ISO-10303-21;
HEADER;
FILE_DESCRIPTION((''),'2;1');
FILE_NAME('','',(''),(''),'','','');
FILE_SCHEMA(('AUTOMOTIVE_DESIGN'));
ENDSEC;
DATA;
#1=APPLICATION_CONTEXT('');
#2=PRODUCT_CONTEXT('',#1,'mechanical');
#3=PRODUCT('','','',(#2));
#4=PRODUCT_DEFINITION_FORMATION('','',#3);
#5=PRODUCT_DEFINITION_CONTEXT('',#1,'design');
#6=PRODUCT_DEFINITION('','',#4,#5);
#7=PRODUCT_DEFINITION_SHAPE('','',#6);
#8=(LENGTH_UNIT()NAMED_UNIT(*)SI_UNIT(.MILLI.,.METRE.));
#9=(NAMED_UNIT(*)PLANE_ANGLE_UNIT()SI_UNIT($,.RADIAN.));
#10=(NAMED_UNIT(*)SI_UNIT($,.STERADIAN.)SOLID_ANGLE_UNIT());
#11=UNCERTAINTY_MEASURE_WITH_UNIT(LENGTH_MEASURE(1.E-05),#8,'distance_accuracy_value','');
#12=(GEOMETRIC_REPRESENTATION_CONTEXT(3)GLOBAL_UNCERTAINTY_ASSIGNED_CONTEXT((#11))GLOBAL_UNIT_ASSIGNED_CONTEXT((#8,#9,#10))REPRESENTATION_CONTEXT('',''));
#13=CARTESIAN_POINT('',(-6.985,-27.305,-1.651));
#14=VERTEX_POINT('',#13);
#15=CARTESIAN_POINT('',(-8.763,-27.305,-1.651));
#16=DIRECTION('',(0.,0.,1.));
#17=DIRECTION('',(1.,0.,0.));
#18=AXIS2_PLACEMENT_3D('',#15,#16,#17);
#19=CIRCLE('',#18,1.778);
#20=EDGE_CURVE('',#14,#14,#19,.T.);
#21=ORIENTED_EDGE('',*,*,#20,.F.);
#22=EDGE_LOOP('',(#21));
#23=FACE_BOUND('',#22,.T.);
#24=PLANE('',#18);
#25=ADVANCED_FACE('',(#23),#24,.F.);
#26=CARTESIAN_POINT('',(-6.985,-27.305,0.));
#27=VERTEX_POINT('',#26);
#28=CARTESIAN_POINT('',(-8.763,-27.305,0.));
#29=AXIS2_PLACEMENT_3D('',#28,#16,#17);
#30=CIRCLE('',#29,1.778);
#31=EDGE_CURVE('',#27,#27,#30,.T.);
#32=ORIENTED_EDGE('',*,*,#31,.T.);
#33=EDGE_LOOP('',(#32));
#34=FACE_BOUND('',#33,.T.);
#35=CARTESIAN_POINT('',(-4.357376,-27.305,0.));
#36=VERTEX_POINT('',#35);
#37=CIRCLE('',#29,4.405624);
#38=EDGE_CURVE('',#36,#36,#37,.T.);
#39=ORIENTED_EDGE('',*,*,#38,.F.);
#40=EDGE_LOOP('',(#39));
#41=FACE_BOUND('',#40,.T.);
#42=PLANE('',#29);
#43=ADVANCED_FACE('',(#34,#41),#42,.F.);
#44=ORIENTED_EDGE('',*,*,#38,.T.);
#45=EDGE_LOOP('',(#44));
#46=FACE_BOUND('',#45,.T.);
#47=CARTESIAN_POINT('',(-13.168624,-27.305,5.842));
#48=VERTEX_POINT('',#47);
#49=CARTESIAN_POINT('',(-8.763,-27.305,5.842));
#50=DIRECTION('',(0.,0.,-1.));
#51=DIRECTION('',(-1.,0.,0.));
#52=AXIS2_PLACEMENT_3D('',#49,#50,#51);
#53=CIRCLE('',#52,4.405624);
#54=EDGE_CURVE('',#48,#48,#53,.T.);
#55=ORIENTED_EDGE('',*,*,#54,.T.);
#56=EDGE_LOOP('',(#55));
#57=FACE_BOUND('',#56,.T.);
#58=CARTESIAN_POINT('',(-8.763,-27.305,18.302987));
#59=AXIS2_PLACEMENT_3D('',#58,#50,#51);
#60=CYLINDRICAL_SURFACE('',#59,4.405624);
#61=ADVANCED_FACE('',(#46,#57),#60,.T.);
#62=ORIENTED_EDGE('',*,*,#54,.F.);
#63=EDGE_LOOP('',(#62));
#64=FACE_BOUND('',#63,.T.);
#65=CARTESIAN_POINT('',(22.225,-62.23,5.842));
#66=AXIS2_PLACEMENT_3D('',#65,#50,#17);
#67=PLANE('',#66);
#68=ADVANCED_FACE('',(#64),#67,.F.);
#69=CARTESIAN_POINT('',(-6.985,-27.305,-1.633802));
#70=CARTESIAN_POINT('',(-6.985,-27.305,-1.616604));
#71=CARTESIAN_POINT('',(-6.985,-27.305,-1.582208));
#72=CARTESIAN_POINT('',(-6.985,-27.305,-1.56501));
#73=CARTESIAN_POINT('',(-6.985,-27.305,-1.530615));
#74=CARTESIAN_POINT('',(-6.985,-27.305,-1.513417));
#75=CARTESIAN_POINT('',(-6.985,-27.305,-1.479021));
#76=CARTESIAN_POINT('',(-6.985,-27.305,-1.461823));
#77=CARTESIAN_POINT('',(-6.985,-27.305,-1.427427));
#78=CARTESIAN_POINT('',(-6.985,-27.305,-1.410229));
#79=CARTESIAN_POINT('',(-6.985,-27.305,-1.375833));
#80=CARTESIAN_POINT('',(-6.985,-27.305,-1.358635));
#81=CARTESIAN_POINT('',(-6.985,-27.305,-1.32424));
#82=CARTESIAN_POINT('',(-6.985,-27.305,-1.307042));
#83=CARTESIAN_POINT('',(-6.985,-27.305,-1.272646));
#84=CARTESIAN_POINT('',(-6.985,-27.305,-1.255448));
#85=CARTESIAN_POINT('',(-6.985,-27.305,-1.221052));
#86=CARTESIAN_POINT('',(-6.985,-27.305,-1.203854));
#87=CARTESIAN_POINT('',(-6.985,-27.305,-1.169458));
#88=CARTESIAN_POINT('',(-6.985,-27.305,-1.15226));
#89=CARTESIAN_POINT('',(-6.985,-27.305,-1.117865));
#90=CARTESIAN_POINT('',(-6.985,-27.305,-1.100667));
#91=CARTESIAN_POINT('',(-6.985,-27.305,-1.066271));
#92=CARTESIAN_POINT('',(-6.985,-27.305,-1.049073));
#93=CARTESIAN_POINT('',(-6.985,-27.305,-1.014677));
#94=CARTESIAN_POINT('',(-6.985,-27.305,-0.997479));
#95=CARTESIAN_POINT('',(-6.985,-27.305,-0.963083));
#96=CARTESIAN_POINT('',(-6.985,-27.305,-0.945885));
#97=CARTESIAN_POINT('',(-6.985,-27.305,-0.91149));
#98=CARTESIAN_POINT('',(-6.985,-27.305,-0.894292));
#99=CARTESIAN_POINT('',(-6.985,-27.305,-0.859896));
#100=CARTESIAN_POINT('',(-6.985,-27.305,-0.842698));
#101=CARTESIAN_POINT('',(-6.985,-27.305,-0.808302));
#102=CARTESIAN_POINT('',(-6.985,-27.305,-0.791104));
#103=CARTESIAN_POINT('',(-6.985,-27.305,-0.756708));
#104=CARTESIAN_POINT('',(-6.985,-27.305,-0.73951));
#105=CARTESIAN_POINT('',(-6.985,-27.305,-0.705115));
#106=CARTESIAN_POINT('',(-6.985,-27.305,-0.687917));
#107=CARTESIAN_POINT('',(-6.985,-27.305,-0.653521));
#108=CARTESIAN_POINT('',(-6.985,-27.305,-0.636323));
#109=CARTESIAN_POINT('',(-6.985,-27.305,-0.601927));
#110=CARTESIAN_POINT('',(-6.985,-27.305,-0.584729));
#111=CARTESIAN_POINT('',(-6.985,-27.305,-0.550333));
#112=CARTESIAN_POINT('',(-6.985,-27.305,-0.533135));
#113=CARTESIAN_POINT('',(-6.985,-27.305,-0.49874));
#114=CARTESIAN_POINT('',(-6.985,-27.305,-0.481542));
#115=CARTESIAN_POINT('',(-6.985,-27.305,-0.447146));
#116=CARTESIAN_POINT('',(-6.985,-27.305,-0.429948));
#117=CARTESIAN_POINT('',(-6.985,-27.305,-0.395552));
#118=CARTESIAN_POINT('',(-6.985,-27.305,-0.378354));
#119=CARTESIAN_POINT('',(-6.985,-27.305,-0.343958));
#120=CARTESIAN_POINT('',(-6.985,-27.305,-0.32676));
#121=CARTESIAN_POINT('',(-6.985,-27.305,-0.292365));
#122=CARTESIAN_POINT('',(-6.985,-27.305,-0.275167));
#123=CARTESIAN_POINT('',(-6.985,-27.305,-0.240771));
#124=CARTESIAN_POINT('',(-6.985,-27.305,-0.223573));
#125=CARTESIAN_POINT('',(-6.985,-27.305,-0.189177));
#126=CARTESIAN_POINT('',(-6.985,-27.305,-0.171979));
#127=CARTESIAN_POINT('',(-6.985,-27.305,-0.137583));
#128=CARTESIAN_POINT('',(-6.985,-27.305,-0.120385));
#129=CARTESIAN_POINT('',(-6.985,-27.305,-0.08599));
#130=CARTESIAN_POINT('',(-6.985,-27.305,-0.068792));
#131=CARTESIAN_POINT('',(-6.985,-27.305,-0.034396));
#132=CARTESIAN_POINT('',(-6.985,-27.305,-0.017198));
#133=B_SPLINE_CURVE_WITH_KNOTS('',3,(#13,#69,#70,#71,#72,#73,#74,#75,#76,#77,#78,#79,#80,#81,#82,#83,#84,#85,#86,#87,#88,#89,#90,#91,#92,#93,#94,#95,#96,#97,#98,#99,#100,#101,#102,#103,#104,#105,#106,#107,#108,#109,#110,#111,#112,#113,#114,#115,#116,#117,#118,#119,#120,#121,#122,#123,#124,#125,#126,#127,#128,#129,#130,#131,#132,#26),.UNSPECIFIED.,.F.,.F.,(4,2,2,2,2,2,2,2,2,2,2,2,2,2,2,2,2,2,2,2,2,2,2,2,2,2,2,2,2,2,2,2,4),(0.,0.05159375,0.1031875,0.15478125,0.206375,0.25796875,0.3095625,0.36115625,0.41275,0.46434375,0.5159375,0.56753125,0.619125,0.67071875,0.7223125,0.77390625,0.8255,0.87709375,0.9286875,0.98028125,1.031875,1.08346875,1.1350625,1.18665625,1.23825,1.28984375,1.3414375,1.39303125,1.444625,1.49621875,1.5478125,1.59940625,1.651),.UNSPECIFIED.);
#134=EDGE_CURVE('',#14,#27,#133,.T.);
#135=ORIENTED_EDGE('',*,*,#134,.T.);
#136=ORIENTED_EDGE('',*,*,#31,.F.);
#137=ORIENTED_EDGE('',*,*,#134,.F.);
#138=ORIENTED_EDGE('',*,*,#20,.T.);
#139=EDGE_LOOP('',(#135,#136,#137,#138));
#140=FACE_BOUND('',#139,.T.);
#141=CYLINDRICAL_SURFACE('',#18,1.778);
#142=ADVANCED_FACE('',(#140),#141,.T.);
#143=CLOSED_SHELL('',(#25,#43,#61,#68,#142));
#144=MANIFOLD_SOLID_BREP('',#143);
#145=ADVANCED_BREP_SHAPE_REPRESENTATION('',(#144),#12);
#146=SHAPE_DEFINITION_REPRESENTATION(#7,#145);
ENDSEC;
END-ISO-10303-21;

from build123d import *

# Parameters (mm, degrees)
SKETCH2_R           = 1.778
BOSS_EXTRUDE1_DEPTH = 1.651
SKETCH4_R           = 4.40562407
BOSS_EXTRUDE2_DEPTH = 5.842


with BuildPart() as part:
    # Sketch2 → Boss-Extrude1 (new body)
    with BuildSketch(Plane.XY):
        with Locations((-8.763, -27.305)):
            Circle(SKETCH2_R)
    extrude(amount=-BOSS_EXTRUDE1_DEPTH)

    # Sketch4 → Boss-Extrude2 (add)
    with BuildSketch(Plane.XY):
        with Locations(Location((-8.763, -27.305, 0), (0, 0, 180))):
            Circle(SKETCH4_R)
    extrude(amount=BOSS_EXTRUDE2_DEPTH)


solid = part.part
